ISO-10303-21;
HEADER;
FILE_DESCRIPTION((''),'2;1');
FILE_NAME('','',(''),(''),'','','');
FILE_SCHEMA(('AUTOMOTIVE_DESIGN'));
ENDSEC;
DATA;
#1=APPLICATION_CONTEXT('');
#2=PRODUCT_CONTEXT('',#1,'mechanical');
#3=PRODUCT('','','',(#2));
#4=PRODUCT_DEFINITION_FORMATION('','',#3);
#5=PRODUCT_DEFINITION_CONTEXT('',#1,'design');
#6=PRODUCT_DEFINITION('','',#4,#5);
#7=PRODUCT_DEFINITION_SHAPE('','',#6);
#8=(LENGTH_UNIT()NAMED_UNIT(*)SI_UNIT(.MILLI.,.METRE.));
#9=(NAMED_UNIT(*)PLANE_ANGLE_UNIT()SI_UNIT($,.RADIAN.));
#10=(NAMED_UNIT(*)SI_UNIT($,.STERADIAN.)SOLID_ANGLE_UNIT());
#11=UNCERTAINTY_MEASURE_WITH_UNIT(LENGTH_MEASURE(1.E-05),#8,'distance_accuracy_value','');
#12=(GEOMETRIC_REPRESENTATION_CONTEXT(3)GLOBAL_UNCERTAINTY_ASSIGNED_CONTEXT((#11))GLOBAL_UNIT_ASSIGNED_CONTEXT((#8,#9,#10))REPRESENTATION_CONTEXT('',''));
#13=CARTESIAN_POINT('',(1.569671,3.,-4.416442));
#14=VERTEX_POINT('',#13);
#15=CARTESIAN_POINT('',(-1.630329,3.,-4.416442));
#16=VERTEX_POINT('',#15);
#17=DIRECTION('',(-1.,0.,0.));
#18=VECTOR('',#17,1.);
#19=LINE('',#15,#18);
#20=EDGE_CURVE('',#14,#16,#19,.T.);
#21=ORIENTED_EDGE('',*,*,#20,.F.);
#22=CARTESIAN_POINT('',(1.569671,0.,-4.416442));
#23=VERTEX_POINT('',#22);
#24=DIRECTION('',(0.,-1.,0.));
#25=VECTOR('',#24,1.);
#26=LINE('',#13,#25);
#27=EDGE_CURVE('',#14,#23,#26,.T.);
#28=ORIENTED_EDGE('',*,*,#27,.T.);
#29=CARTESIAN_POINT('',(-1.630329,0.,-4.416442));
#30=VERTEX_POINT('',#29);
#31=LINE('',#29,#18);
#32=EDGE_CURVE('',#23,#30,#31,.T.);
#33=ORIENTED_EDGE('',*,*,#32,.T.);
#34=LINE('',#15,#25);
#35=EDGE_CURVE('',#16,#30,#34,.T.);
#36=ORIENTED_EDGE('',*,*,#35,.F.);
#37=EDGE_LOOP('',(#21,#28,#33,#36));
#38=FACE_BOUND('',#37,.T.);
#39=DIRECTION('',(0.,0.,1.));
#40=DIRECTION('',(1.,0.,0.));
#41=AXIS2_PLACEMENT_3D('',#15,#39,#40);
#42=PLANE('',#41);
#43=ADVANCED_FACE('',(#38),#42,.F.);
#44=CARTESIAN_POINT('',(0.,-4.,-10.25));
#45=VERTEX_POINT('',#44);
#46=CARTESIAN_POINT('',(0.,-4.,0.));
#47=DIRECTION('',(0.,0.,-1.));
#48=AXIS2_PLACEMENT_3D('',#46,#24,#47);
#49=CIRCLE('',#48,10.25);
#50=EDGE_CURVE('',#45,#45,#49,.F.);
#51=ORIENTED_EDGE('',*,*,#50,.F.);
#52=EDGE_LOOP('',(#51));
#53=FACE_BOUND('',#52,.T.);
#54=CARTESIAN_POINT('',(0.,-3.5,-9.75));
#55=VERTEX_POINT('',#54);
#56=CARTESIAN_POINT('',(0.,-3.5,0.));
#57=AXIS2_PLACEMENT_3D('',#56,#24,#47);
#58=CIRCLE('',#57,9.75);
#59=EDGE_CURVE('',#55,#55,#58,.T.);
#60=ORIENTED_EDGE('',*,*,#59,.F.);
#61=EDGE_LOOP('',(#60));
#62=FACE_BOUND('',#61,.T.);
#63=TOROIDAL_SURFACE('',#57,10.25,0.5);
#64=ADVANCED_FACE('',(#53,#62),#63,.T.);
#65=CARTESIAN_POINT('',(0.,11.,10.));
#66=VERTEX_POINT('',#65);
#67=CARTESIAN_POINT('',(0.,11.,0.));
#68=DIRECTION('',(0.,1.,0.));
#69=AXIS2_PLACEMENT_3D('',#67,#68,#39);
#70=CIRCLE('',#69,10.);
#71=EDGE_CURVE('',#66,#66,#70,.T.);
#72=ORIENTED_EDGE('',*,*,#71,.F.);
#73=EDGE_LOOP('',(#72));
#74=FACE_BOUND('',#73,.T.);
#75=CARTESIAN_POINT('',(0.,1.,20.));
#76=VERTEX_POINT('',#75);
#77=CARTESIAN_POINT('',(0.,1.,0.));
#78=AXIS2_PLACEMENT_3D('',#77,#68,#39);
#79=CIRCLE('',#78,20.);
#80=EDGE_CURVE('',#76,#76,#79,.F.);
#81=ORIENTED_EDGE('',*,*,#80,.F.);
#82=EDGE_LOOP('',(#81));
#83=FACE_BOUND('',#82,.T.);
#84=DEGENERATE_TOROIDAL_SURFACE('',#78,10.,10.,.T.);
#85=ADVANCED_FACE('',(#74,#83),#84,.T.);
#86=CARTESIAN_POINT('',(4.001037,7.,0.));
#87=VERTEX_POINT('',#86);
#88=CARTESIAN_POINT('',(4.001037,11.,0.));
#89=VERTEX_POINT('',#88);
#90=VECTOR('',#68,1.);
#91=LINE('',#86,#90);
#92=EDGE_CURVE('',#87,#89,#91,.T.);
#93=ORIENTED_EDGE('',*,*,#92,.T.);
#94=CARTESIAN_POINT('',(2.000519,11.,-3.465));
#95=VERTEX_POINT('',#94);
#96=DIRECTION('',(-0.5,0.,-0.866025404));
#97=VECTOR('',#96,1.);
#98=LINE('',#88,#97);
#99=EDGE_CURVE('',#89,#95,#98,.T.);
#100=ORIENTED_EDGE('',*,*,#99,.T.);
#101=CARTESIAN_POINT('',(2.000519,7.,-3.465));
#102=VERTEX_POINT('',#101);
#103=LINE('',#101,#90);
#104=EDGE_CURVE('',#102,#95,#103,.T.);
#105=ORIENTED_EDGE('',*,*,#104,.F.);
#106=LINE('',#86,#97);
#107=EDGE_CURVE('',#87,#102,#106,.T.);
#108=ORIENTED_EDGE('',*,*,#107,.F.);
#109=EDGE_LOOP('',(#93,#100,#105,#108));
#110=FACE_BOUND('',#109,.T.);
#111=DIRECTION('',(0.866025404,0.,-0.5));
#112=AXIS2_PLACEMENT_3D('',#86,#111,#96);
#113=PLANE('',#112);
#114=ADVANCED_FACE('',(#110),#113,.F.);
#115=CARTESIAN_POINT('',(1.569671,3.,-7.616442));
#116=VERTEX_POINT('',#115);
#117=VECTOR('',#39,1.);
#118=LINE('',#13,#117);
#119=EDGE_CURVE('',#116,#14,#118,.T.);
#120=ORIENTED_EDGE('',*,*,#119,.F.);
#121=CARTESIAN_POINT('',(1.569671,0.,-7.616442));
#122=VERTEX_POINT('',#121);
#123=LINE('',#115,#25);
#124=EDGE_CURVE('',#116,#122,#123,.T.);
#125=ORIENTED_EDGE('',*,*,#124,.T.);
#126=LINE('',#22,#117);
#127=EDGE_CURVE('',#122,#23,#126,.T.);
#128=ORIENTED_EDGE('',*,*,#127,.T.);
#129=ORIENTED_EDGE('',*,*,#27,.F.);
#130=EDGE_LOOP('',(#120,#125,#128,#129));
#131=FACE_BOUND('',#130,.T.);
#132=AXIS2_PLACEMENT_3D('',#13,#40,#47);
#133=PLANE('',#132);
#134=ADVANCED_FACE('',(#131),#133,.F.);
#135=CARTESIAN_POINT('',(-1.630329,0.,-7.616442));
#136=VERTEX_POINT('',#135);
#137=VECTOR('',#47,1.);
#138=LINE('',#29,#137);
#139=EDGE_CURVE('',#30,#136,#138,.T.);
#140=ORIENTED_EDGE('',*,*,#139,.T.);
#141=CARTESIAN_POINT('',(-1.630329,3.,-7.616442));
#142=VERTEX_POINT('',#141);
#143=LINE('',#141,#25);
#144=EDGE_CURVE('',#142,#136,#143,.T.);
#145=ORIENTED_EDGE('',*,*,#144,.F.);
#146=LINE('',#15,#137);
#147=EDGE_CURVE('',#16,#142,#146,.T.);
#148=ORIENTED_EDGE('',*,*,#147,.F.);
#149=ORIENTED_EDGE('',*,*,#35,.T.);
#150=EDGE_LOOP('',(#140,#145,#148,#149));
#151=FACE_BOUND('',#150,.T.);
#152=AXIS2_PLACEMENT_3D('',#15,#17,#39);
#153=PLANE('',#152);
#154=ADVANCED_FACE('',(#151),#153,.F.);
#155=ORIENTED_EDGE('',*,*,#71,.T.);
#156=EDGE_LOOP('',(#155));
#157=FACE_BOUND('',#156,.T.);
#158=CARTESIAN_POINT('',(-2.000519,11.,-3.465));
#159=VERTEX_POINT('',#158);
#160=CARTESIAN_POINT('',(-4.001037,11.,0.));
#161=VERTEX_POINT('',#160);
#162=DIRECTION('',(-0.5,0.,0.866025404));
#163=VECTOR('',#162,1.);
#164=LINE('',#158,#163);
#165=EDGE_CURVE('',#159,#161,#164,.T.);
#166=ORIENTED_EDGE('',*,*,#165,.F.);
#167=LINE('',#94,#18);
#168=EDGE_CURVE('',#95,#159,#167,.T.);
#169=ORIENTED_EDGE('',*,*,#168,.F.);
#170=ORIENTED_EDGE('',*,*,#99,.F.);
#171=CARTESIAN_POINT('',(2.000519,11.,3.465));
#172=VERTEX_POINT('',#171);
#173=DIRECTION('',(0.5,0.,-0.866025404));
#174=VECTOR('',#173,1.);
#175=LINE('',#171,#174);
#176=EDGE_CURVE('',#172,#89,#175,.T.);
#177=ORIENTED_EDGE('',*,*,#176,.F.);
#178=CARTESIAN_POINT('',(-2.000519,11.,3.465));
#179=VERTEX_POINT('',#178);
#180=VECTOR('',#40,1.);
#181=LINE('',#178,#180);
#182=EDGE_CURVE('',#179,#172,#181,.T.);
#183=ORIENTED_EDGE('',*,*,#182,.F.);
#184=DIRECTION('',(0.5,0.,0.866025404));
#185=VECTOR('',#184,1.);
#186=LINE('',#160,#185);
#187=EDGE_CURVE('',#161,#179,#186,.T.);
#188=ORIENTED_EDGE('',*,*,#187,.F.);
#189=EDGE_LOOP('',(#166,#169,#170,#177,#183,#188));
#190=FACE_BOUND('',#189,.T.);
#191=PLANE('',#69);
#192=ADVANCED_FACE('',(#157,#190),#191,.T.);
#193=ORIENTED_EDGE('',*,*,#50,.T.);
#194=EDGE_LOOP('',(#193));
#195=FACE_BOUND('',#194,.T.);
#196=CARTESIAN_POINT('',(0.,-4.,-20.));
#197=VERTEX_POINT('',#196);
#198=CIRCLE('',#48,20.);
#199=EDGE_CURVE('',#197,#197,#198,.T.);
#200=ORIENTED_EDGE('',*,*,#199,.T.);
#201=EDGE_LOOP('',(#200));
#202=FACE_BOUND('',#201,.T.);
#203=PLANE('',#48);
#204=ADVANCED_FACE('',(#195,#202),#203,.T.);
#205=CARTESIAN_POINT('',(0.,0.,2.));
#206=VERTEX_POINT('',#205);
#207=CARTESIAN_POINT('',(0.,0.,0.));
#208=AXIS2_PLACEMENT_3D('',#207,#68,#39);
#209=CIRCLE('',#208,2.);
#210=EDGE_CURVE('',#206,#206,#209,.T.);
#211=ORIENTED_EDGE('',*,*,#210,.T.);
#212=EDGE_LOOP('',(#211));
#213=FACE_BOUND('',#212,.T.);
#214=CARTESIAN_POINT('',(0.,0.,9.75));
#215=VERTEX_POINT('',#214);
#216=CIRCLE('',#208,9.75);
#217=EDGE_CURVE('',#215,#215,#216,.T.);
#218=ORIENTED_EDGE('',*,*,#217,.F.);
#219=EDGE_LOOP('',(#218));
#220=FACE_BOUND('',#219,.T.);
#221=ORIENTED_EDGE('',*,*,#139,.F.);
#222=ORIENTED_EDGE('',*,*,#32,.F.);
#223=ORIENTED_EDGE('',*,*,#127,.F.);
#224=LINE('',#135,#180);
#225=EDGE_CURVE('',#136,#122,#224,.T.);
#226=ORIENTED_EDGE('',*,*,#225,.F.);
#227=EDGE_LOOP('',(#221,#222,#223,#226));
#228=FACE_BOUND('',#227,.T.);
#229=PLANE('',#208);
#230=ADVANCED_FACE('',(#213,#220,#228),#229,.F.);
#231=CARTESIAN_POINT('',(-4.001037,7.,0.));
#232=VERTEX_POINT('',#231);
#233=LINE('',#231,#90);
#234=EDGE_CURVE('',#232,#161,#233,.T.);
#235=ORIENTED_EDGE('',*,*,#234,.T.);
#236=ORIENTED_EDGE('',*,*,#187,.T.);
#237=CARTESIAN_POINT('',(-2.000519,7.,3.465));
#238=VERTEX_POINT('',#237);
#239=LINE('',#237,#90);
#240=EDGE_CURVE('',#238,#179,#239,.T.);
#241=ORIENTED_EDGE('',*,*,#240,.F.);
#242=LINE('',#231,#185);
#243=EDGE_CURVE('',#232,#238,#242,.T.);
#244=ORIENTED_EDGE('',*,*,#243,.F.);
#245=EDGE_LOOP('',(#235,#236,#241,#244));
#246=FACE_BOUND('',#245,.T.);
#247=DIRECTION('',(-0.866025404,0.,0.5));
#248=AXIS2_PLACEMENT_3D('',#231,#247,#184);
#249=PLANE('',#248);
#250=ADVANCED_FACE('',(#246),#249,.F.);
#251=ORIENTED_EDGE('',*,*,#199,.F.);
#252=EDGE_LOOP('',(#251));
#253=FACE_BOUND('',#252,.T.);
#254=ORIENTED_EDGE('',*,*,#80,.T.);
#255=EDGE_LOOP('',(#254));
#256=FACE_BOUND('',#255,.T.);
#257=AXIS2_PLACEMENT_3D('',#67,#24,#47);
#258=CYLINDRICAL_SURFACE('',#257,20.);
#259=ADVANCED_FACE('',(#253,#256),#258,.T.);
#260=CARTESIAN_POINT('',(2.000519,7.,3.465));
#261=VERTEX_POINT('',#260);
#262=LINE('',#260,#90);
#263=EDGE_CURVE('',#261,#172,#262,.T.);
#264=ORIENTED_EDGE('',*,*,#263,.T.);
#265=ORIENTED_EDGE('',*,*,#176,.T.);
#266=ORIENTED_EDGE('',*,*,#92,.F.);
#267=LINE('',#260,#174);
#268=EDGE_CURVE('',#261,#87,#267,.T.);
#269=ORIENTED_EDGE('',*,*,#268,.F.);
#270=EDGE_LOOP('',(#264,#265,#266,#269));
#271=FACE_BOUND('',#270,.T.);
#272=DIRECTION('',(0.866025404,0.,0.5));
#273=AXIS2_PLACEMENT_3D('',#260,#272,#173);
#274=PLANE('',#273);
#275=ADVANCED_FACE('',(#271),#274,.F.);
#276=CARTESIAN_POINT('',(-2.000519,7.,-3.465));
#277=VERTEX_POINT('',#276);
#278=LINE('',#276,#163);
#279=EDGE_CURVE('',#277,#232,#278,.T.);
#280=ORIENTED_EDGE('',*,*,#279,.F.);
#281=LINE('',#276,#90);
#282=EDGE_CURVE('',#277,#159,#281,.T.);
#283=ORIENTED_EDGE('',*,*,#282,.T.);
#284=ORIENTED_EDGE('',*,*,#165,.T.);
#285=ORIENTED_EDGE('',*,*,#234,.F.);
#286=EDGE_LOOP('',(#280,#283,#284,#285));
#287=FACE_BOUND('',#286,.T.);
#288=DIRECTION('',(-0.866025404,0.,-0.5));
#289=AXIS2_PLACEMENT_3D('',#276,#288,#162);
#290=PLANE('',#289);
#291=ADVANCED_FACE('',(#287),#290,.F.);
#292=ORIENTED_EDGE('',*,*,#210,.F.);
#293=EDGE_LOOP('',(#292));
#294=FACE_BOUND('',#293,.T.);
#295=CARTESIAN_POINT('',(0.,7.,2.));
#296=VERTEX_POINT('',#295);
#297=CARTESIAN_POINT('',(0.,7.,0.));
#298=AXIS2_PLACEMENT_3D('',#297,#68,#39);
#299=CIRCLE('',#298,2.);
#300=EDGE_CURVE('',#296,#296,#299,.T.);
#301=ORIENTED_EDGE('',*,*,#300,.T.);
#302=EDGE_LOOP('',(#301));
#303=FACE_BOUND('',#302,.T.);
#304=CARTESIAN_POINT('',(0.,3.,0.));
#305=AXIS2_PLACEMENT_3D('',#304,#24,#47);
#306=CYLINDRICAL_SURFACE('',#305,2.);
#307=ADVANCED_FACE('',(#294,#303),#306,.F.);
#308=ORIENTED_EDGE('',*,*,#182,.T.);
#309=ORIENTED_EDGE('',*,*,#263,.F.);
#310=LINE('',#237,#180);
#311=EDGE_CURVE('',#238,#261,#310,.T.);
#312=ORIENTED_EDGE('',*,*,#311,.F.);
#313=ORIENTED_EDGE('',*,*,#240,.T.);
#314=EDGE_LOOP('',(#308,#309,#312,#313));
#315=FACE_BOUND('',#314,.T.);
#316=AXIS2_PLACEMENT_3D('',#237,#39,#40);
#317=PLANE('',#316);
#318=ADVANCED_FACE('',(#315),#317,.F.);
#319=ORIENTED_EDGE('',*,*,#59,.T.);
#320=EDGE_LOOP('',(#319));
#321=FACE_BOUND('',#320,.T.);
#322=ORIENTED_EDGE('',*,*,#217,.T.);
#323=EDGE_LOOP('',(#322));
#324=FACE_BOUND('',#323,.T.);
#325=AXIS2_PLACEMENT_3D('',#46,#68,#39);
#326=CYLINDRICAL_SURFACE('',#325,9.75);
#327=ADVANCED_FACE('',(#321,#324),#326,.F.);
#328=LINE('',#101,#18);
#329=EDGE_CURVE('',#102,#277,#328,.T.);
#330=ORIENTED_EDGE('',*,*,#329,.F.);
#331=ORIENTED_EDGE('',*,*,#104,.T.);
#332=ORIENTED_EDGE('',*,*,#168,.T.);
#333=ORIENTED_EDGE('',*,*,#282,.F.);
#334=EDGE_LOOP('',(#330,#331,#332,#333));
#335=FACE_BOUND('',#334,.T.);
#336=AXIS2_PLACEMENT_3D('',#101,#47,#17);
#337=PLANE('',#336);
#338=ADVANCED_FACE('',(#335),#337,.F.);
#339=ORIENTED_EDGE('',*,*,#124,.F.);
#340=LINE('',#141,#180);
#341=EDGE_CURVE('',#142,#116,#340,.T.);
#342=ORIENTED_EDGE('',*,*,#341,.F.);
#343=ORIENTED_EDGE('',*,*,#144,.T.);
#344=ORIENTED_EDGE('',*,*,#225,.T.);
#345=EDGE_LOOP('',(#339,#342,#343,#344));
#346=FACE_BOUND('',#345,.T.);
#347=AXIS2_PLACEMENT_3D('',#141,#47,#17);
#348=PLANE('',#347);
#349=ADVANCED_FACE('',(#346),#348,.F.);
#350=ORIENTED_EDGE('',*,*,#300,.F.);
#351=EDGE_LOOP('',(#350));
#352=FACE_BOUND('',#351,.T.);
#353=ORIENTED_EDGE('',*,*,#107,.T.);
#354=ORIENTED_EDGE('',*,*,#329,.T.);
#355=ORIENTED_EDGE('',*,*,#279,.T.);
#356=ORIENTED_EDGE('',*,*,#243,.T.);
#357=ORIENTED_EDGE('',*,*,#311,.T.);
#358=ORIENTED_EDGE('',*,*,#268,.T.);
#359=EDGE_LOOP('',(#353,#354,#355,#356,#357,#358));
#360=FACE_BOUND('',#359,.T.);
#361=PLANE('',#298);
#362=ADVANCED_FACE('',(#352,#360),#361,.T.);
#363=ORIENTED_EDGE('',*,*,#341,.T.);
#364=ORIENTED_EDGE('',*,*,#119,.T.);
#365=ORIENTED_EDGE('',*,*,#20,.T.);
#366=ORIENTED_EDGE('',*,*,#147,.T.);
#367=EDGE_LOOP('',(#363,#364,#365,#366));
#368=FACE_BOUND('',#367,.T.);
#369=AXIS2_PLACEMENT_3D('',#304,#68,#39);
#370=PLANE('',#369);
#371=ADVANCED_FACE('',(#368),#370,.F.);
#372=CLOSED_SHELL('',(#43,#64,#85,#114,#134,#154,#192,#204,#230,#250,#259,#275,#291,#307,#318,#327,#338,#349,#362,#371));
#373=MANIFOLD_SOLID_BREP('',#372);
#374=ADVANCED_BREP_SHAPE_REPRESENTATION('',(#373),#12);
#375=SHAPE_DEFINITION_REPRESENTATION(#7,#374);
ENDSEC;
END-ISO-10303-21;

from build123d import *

# Parameters (mm, degrees)
SKETCH1_R           = 9.75
SKETCH1_R_2         = 2
BOSS_EXTRUDE1_DEPTH = 3
SKETCH2_W           = 3.2
SKETCH2_H           = 3.2
CUT_EXTRUDE1_DEPTH  = 3
SKETCH3_R           = 20
BOSS_EXTRUDE2_DEPTH = 8
SKETCH4_R           = 20
SKETCH4_R_2         = 9.75
BOSS_EXTRUDE3_DEPTH = 7
FILLET2_R           = 10
SKETCH5_R           = 2
CUT_EXTRUDE2_DEPTH  = 9
CUT_EXTRUDE3_DEPTH  = 4
FILLET3_R           = 0.5


with BuildPart() as part:
    # Sketch1 → Boss-Extrude1 (new body)
    with BuildSketch(Plane(origin=(0, 0, 0), x_dir=(1, 0, 0), z_dir=(0, 1, 0))):
        Circle(SKETCH1_R)
        Circle(SKETCH1_R_2, mode=Mode.SUBTRACT)
    extrude(amount=BOSS_EXTRUDE1_DEPTH)

    # Sketch2 → Cut-Extrude1 (cut)
    with BuildSketch(Plane.XZ):
        with Locations((-0.030329448, -6.016441714)):
            Rectangle(SKETCH2_W, SKETCH2_H)
    extrude(amount=-CUT_EXTRUDE1_DEPTH, mode=Mode.SUBTRACT)

    # Sketch3 → Boss-Extrude2 (add)
    with BuildSketch(Plane(origin=(0, 3, 0), x_dir=(1, 0, 0), z_dir=(0, 1, 0))):
        Circle(SKETCH3_R)
    extrude(amount=BOSS_EXTRUDE2_DEPTH)

    # Sketch4 → Boss-Extrude3 (add)
    with BuildSketch(Plane.XZ.offset(-3)):
        Circle(SKETCH4_R)
        Circle(SKETCH4_R_2, mode=Mode.SUBTRACT)
    extrude(amount=BOSS_EXTRUDE3_DEPTH)

    # Fillet2
    fillet2_edges = [part.edges().sort_by_distance(p)[0] for p in [
        (-20, 11, 0),
    ]]
    fillet(fillet2_edges, radius=FILLET2_R)

    # Sketch5 → Cut-Extrude2 (cut, through all)
    with BuildSketch(Plane.XZ.offset(-3)):
        Circle(SKETCH5_R)
    extrude(amount=-CUT_EXTRUDE2_DEPTH, mode=Mode.SUBTRACT)

    # Sketch6 → Cut-Extrude3 (cut)
    with BuildSketch(Plane(origin=(0, 11, 0), x_dir=(1, 0, 0), z_dir=(0, 1, 0))):
        Polygon((4.001037365, 0), (2.000518683, 3.465), (-2.000518683, 3.465), (-4.001037365, 0), (-2.000518683, -3.465), (2.000518683, -3.465), align=None)
    extrude(amount=-CUT_EXTRUDE3_DEPTH, mode=Mode.SUBTRACT)

    # Fillet3
    fillet3_edges = [part.edges().sort_by_distance(p)[0] for p in [
        (-9.75, -4, 0),
    ]]
    fillet(fillet3_edges, radius=FILLET3_R)


solid = part.part
